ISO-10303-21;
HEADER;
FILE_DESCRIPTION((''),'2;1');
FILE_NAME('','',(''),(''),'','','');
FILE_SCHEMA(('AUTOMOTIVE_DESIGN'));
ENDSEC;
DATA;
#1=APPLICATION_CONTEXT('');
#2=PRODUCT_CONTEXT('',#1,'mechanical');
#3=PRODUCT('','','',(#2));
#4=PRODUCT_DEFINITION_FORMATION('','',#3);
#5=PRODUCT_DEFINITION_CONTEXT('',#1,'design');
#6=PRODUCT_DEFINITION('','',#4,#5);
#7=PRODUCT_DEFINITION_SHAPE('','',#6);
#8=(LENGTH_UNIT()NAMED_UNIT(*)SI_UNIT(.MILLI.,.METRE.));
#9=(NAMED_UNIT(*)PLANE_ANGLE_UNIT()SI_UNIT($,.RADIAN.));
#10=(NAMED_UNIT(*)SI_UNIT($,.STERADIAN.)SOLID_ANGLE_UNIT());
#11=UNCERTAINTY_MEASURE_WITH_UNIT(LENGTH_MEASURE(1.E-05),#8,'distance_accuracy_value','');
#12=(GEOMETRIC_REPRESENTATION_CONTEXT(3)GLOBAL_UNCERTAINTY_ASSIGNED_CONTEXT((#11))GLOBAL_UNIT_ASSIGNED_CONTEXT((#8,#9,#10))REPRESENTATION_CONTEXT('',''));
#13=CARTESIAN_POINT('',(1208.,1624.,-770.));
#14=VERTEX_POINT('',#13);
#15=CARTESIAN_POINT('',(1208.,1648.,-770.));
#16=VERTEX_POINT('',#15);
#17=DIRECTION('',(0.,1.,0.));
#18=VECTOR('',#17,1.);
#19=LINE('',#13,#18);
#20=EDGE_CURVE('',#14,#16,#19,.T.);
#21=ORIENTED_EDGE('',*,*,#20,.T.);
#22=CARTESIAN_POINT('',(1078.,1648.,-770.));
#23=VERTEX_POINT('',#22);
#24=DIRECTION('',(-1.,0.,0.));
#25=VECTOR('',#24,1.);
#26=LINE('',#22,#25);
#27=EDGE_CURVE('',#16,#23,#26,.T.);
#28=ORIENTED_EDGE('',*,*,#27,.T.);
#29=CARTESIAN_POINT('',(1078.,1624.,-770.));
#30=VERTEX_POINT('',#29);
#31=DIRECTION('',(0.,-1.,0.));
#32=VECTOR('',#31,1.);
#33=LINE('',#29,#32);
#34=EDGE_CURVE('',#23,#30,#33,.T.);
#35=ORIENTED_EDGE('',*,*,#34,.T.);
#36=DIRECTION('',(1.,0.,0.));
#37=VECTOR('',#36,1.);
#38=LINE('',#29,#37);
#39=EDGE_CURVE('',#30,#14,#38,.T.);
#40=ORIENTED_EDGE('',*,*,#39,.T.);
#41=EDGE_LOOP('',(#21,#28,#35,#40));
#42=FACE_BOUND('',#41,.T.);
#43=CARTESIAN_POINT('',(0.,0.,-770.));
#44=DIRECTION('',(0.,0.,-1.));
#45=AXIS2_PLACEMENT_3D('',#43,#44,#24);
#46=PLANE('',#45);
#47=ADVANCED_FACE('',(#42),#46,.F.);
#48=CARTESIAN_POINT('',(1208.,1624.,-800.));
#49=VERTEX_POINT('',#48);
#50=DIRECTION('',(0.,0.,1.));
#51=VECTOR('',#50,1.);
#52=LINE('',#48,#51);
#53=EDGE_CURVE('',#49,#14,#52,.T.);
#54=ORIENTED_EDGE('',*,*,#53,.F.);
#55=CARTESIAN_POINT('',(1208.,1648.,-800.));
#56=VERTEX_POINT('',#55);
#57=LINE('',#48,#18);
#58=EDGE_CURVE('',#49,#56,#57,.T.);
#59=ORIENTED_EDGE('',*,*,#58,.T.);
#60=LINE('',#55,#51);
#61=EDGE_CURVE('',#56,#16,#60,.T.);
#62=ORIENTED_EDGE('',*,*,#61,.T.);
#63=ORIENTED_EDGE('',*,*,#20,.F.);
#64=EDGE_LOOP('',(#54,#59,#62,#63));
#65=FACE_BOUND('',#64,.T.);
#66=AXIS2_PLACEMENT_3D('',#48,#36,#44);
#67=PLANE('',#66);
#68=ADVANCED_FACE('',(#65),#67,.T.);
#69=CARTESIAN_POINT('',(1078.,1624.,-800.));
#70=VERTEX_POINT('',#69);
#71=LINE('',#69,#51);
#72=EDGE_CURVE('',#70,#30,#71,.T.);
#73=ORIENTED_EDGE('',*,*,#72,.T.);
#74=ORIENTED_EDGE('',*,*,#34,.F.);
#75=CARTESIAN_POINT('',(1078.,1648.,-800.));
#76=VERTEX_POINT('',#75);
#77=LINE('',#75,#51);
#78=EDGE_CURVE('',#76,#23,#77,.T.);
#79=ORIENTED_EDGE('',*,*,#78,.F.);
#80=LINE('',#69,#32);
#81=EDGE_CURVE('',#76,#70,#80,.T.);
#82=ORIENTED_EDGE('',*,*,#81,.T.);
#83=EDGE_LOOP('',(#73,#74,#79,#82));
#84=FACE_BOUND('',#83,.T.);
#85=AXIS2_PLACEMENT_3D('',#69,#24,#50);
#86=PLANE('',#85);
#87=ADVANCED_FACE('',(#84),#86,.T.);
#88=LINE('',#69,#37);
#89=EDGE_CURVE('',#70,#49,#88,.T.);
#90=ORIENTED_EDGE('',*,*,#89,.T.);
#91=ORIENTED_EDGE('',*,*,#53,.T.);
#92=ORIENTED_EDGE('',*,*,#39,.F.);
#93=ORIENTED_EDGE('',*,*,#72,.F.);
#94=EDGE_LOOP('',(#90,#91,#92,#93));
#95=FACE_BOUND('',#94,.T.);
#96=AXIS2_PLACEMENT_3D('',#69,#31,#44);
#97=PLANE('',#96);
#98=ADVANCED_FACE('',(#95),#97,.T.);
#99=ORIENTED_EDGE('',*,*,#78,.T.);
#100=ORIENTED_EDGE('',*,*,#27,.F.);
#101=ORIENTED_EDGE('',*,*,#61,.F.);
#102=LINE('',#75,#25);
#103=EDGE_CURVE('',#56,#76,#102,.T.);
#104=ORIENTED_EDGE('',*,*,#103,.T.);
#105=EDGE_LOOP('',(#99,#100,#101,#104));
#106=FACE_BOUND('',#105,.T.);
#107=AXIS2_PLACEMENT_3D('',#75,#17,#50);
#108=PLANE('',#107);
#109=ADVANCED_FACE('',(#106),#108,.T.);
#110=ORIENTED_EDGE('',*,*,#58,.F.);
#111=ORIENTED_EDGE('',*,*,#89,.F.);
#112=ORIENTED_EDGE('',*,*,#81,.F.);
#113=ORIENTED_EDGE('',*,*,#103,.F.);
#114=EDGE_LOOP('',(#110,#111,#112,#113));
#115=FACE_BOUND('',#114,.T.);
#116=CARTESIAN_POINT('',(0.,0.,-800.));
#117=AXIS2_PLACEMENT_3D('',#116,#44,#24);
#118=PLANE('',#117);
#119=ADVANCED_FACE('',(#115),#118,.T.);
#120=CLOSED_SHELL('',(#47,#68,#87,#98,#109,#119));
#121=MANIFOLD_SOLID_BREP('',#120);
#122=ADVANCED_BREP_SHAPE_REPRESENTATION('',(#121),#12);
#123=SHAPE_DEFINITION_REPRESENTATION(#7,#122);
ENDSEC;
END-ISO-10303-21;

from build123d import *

# Parameters (mm, degrees)
DET2_PLC_DILIMI_1_START = -770
SKETCH1_W               = 130
SKETCH1_H               = 24
DET2_PLC_DILIMI_1_DEPTH = 30


with BuildPart() as part:
    # Sketch1 → DET2_PLC_dilimi_1 (new body)
    with BuildSketch(Plane.XY.offset(DET2_PLC_DILIMI_1_START)):
        with Locations((1143, 1636)):
            Rectangle(SKETCH1_W, SKETCH1_H)
    extrude(amount=-DET2_PLC_DILIMI_1_DEPTH)


solid = part.part
